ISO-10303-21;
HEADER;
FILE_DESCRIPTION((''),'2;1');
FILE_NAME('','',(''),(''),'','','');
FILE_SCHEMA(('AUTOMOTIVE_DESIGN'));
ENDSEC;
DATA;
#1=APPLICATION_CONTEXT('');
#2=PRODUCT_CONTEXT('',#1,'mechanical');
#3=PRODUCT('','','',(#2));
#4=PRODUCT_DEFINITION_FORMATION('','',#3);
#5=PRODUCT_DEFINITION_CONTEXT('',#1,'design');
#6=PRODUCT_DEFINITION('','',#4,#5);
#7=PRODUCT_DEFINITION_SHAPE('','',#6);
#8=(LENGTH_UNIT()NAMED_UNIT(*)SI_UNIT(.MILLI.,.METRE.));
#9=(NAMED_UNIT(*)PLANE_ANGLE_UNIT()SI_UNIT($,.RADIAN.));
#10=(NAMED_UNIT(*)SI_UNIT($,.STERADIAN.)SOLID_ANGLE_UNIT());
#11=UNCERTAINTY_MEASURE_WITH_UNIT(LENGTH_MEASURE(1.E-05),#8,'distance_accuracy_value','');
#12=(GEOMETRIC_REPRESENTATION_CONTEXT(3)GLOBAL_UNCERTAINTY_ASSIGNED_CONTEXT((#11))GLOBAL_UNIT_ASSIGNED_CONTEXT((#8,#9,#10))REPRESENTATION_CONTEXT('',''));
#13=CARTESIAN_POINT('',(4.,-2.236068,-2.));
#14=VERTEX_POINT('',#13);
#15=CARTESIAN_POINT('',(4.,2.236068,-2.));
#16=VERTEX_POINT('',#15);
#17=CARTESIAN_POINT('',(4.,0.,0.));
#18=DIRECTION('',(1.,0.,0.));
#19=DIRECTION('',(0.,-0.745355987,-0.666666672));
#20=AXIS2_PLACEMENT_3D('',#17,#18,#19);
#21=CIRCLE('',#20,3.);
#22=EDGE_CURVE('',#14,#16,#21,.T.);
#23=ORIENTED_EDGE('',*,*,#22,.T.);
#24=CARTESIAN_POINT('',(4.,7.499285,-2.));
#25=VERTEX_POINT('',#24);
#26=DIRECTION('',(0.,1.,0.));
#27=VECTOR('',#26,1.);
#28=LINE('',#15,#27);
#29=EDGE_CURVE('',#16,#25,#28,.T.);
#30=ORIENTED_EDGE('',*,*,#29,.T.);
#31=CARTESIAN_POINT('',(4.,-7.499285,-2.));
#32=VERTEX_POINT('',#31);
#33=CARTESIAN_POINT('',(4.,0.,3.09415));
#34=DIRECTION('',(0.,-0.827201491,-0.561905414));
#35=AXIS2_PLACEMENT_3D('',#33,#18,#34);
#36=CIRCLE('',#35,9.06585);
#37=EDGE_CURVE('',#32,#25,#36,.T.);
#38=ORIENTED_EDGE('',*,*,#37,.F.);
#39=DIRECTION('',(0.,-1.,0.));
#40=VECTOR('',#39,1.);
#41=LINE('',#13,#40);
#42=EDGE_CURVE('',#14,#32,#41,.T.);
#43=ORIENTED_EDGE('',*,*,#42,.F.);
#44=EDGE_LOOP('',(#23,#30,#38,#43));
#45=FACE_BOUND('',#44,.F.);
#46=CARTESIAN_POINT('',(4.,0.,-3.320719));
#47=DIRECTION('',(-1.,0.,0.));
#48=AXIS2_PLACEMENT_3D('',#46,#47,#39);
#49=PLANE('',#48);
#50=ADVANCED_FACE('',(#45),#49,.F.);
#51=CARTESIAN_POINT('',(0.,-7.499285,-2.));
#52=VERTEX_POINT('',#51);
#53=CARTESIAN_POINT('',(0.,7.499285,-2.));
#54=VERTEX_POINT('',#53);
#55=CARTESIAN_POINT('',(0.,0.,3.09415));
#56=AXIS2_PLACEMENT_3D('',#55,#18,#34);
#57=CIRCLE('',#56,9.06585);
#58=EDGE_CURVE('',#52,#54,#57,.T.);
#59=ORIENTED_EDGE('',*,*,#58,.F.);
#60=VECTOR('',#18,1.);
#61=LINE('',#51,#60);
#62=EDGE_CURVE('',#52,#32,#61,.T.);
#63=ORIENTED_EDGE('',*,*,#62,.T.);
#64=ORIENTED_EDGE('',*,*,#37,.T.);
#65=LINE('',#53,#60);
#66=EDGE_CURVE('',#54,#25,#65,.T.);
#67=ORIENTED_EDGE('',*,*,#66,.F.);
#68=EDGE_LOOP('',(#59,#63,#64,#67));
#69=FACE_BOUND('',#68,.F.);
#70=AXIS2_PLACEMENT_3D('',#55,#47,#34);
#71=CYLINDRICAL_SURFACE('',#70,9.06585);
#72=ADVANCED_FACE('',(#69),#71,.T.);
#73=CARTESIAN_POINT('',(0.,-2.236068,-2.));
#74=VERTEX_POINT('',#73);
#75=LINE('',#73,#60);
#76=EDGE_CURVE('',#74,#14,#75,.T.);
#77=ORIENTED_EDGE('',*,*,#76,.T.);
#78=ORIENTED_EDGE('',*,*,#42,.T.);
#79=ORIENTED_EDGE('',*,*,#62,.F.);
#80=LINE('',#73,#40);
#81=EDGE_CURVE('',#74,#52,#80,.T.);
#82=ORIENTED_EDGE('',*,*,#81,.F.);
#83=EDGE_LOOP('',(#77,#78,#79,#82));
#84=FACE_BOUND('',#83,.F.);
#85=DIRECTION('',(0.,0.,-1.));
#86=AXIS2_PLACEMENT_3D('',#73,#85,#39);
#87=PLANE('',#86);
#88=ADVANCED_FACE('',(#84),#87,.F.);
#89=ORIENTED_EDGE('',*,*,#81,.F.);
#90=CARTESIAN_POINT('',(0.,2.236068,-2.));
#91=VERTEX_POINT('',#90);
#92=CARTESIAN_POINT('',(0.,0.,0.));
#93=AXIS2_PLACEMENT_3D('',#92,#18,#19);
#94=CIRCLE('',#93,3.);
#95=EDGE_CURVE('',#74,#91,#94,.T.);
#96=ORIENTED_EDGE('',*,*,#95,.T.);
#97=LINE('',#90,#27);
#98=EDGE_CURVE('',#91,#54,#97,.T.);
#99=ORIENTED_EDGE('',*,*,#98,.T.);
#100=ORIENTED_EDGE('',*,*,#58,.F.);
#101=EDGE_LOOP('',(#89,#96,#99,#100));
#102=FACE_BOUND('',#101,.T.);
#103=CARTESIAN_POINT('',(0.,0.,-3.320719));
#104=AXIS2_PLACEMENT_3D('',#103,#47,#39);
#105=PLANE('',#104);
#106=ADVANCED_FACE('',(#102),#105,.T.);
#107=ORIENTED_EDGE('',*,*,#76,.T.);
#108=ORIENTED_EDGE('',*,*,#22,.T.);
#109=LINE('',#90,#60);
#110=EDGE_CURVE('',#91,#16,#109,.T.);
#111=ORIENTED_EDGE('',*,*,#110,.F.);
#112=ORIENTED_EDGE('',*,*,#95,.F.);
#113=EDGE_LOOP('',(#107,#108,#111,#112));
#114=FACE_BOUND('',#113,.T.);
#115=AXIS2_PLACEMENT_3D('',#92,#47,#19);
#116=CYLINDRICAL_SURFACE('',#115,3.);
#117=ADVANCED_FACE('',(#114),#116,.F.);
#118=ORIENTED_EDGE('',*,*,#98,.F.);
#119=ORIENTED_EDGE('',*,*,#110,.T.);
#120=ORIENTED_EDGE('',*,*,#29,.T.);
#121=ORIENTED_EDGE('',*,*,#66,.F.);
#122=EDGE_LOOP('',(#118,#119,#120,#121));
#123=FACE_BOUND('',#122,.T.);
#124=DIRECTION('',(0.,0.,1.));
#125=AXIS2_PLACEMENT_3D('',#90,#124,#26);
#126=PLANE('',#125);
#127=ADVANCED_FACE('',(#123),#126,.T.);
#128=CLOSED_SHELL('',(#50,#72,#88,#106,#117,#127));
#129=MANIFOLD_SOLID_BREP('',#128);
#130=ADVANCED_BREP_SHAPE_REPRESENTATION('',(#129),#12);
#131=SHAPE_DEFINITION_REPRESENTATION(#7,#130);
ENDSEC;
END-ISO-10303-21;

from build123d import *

# Parameters (mm, degrees)
PAD_DEPTH = 4


with BuildPart() as part:
    # Sketch001 → Pad (new body)
    with BuildSketch(Plane.YZ):
        with BuildLine():
            ThreePointArc((-2.236068, -2), (0, -3), (2.236068, -2))
            Line((2.236068, -2), (7.499285, -2))
            ThreePointArc((-7.499285, -2), (0, -5.9717), (7.499285, -2))
            Line((-2.236068, -2), (-7.499285, -2))
        make_face()
    extrude(amount=PAD_DEPTH)


solid = part.part
